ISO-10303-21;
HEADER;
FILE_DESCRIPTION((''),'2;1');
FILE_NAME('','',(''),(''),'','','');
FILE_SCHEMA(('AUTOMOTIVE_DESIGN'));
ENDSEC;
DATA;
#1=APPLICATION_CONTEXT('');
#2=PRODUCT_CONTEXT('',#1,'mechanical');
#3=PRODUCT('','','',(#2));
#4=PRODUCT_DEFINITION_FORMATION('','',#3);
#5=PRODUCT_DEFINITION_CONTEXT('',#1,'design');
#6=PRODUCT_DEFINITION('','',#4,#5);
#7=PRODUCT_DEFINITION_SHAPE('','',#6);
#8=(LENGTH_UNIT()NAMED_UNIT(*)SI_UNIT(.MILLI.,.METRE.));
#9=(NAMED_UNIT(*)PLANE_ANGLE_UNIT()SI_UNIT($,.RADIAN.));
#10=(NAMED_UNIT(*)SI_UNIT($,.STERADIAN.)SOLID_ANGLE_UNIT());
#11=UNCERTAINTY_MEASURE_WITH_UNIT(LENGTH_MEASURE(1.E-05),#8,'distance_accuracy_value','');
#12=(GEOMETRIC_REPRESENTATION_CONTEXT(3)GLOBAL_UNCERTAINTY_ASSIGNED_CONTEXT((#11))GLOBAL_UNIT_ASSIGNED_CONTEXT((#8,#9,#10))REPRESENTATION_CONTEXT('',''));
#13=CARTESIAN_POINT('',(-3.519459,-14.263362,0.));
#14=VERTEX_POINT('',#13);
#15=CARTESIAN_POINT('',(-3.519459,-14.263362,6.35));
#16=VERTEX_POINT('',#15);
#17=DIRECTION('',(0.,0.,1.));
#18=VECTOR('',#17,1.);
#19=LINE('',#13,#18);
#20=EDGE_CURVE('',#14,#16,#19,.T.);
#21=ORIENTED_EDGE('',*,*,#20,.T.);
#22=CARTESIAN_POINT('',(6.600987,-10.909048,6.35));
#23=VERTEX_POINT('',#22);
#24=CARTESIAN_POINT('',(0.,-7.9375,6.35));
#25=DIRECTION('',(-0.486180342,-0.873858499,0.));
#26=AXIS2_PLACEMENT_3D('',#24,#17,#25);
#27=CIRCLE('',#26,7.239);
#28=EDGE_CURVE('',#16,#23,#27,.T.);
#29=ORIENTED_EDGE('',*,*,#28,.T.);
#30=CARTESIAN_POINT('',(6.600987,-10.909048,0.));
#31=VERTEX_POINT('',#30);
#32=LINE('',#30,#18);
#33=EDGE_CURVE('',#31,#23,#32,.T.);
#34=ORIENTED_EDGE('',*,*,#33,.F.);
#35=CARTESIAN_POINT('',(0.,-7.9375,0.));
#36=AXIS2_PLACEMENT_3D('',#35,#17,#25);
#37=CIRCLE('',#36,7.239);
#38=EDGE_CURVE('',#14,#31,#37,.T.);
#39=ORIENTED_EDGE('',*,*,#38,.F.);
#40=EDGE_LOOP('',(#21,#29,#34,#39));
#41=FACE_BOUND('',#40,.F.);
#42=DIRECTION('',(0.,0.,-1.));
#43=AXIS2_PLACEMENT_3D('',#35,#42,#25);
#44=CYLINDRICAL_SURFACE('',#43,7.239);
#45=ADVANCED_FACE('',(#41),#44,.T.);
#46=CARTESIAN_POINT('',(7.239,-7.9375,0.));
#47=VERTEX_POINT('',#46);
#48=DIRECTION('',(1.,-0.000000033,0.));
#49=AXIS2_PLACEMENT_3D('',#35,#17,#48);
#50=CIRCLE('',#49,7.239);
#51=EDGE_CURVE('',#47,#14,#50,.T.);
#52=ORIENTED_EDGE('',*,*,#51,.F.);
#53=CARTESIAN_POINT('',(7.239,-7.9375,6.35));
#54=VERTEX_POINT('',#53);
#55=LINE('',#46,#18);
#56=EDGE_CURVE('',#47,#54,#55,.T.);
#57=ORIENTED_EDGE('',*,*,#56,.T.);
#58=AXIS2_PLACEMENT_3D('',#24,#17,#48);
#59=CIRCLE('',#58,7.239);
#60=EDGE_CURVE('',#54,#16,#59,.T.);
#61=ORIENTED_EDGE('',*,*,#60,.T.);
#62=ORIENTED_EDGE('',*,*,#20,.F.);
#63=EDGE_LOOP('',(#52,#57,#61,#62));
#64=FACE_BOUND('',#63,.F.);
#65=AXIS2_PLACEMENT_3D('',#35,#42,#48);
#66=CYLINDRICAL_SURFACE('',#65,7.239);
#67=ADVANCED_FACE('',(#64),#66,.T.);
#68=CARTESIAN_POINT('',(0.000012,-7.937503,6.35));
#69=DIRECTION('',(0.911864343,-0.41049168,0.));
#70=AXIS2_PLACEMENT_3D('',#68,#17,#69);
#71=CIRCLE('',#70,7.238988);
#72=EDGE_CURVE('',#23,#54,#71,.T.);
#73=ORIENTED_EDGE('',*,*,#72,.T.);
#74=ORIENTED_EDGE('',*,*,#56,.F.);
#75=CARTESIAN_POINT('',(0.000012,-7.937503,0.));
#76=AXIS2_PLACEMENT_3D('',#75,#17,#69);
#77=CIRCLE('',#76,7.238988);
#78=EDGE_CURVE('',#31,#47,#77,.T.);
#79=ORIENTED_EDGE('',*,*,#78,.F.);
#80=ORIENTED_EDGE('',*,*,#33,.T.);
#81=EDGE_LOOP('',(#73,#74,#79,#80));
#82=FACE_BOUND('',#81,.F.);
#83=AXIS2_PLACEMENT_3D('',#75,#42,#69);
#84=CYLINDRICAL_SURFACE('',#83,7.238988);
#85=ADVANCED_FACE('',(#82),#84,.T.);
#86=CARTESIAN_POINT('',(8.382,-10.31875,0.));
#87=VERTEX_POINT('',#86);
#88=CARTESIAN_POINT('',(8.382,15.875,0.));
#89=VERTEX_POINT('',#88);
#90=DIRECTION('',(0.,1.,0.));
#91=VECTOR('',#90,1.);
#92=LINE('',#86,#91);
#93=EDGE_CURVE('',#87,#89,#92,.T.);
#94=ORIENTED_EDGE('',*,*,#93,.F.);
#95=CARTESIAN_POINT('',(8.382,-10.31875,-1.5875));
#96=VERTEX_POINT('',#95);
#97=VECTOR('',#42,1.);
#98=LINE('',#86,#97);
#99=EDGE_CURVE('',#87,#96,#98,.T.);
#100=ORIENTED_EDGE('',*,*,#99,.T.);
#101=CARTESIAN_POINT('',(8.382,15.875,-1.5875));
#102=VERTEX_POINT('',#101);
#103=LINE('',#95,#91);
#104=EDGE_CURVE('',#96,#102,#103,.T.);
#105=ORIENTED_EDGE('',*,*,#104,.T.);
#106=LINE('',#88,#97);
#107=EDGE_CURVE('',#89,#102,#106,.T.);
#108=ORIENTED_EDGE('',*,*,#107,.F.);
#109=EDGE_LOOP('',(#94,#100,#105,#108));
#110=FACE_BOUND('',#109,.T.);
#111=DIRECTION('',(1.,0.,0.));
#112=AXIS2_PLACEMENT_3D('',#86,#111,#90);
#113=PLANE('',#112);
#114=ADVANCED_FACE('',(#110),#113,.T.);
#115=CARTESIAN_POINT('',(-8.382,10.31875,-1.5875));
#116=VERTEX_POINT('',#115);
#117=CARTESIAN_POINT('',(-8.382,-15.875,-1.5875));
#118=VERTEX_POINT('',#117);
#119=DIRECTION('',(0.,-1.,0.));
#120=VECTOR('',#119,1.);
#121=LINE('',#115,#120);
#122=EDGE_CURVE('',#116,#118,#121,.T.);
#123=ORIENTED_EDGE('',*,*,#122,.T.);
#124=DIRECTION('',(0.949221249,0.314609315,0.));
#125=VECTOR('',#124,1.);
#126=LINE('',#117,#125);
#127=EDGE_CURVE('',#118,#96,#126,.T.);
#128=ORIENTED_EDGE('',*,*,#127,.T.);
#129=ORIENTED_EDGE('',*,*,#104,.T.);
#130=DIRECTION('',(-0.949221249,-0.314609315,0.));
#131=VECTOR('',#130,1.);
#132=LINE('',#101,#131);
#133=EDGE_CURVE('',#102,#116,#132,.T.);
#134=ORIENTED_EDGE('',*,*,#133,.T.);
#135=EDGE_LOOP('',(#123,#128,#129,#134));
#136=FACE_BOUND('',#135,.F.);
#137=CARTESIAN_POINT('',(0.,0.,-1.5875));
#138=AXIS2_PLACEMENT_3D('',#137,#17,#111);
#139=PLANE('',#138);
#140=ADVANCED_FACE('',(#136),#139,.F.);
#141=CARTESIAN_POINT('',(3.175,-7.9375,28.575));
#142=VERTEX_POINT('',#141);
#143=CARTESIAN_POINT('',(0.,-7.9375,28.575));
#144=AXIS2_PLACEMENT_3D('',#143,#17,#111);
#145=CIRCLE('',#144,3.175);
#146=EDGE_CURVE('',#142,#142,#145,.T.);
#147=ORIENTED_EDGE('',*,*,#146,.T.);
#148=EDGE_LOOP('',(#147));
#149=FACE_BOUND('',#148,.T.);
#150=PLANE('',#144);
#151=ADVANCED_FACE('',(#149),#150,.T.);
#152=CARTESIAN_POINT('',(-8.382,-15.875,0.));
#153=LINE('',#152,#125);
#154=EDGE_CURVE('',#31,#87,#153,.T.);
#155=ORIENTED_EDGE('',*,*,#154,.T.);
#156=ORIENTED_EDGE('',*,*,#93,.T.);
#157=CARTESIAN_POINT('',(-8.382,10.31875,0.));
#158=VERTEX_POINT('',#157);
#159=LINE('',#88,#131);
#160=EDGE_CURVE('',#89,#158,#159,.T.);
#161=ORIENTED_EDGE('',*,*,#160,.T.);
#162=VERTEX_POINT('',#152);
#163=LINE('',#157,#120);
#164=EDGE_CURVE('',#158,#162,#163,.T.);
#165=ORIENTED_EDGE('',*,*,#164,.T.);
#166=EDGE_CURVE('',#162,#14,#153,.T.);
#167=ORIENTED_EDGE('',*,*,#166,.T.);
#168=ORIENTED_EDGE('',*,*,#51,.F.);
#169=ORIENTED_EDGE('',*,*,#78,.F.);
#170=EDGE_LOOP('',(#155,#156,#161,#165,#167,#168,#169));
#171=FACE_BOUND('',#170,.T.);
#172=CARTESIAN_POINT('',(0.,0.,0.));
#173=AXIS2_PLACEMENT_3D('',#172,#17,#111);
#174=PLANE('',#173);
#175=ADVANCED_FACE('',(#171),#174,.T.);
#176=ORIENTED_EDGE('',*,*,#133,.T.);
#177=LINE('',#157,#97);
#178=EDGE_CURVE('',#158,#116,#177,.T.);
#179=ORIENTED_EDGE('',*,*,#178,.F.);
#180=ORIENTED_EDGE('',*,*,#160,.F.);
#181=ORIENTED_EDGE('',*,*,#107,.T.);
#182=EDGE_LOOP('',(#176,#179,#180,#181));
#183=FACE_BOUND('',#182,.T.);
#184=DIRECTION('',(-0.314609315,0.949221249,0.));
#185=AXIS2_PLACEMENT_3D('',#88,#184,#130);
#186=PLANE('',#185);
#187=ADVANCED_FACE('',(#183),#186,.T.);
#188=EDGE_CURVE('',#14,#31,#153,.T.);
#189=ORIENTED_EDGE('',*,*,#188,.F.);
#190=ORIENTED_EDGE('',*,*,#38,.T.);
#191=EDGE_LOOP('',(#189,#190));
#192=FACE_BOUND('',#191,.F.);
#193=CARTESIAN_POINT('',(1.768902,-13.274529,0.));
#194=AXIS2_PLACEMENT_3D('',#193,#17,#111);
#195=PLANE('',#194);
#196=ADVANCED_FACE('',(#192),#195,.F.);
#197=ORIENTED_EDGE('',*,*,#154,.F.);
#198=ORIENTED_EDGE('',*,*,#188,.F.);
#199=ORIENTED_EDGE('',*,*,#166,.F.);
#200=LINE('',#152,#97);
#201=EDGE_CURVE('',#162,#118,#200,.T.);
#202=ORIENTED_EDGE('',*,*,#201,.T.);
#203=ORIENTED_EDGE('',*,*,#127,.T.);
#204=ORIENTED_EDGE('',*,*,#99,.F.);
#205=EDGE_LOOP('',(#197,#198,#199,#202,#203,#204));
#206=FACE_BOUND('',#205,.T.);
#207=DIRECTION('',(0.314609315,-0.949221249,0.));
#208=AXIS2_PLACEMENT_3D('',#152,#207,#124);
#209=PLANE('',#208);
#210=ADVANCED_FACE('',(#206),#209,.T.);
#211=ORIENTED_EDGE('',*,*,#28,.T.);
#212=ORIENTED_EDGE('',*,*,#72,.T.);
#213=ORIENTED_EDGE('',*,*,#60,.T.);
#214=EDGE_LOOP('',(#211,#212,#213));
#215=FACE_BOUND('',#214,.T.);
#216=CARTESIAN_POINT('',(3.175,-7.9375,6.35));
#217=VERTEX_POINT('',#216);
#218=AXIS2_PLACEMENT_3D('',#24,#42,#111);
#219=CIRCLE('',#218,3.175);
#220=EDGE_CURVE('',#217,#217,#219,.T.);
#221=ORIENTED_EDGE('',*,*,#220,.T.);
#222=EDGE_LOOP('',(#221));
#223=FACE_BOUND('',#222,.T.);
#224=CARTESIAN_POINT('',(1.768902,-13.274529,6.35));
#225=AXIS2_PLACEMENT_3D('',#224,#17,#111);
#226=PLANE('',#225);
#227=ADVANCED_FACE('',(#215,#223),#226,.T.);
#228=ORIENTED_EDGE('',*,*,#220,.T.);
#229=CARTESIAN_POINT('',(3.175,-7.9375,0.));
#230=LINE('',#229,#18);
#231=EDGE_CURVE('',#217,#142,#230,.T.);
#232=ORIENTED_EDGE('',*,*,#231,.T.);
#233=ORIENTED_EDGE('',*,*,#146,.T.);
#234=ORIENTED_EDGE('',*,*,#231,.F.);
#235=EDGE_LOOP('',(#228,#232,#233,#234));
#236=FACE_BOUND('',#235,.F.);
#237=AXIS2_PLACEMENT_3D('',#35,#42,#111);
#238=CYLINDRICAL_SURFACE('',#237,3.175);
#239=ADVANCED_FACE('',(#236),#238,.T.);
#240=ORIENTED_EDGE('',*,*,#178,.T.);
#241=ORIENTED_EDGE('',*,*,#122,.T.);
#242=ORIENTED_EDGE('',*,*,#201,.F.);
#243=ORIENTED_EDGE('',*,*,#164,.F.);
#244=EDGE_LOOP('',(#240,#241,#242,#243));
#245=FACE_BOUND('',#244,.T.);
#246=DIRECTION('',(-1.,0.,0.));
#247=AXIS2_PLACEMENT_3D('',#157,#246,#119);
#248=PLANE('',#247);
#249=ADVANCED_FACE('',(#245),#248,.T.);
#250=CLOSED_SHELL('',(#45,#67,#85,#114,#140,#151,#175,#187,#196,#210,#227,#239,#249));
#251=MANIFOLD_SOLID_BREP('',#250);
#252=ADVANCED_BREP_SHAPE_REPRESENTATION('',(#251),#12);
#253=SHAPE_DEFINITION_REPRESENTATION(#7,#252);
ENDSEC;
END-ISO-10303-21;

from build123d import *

# Parameters (mm, degrees)
F1_DEPTH = 1.5875
F3_DEPTH = 6.35
F4_R     = 3.175
F5_DEPTH = 28.575


with BuildPart() as f1:
    # F0 (on Top) → F1 (new body)
    with BuildSketch(Plane.XY):
        Polygon((8.382, -10.31875), (8.382, 15.875), (-8.382, 10.31875), (-8.382, -15.875), align=None)
    extrude(amount=-F1_DEPTH)

    # F2 (on face) → F3 (join)
    with BuildSketch(Plane.XY):
        with BuildLine():
            Line((6.600987, -10.909048), (-3.519459, -14.263362))
            ThreePointArc((-3.519459, -14.263362), (2.277457, -14.808913), (6.600987, -10.909048))
        make_face()
        with BuildLine():
            ThreePointArc((6.600987, -10.909048), (7.0777, -9.457135), (7.239, -7.9375))
            ThreePointArc((7.239, -7.9375), (-3.66918, -1.697288), (-3.519459, -14.263362))
            Line((-3.519459, -14.263362), (6.600987, -10.909048))
        make_face()
    extrude(amount=F3_DEPTH)

    # F4 (on Top) → F5 (join)
    with BuildSketch(Plane.XY):
        with Locations((0, -7.9375)):
            Circle(F4_R)
    extrude(amount=F5_DEPTH)


solid = f1.part
